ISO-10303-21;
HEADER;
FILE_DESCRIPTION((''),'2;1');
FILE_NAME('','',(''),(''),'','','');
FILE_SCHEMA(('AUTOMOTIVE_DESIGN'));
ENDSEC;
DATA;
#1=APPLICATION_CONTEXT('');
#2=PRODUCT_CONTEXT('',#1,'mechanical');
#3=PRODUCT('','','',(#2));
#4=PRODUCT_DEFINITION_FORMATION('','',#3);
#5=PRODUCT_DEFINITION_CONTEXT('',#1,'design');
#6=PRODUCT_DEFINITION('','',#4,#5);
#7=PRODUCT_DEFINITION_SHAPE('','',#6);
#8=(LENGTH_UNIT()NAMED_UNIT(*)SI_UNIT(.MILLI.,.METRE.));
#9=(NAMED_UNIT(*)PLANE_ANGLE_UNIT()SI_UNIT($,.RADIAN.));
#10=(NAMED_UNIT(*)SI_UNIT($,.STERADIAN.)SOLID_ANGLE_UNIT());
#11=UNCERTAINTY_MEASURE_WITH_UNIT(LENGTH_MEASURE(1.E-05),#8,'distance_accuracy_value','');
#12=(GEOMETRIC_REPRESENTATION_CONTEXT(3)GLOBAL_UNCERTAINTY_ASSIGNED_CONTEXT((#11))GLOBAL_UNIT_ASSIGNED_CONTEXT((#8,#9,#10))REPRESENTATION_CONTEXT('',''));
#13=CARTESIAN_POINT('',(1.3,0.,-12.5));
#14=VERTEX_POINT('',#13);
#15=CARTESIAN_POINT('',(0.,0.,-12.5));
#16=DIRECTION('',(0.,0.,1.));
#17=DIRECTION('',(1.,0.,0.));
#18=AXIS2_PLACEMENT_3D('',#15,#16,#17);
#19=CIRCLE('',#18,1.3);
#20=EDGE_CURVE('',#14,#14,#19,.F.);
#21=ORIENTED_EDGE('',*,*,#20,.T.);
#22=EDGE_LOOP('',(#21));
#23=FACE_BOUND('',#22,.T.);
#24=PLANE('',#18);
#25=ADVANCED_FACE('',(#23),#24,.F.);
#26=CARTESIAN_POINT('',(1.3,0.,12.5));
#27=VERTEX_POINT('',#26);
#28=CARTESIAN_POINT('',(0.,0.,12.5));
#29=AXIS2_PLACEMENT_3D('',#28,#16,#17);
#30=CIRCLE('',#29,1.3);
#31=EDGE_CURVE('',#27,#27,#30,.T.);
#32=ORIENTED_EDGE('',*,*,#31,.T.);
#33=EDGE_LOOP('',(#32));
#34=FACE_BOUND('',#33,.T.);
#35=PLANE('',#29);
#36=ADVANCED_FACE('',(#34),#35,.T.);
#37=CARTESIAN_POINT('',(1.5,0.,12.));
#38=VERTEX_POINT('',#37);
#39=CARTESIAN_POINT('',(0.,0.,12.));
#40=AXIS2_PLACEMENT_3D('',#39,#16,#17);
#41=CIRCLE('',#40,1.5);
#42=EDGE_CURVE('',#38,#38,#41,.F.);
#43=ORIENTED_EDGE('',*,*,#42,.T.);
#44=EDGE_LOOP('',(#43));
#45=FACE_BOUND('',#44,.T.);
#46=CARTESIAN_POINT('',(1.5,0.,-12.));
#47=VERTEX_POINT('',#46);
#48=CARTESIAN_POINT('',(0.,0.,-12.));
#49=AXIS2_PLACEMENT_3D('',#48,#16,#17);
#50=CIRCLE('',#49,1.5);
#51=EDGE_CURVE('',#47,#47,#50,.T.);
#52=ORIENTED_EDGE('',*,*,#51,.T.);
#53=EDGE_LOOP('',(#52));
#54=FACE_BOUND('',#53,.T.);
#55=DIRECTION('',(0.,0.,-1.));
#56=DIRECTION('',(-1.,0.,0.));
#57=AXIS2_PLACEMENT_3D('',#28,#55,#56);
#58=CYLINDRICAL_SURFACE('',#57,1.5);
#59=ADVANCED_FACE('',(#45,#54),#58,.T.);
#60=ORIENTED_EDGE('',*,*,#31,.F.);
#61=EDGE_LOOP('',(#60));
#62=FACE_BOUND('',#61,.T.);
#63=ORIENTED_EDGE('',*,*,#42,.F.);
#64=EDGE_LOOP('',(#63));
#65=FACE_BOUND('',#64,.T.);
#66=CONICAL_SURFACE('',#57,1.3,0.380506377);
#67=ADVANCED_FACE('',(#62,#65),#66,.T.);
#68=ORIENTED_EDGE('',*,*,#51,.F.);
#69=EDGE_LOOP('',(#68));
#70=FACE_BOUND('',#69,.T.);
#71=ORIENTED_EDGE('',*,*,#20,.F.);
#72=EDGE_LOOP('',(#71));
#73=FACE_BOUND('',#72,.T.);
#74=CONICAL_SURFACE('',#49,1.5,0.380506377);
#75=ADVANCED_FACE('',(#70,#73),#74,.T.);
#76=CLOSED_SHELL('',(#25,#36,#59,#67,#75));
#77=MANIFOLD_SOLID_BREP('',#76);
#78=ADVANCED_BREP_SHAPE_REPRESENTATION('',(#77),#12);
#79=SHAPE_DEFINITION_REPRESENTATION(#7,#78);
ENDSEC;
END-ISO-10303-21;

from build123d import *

# Parameters (mm, degrees)
SKETCH1_R           = 1.5
BOSS_EXTRUDE1_DEPTH = 12.5
CHAMFER1_SIZE       = 0.5
CHAMFER1_SIZE2      = 0.2
CHAMFER2_SIZE       = 0.2
CHAMFER2_SIZE2      = 0.5


with BuildPart() as part:
    # Sketch1 → Boss-Extrude1 (new, symmetric)
    with BuildSketch(Plane.XY):
        Circle(SKETCH1_R)
    extrude(amount=BOSS_EXTRUDE1_DEPTH, both=True)

    # Chamfer1
    chamfer1_edges = [part.edges().sort_by_distance(p)[0] for p in [
        (-1.5, 0, 12.5),
    ]]
    chamfer1_side = [part.faces().sort_by_distance(p)[0] for p in [
        (-1.5, 0, 0),
    ]]
    chamfer(chamfer1_edges, length=CHAMFER1_SIZE, length2=CHAMFER1_SIZE2, reference=chamfer1_side[0])

    # Chamfer2
    chamfer2_edges = [part.edges().sort_by_distance(p)[0] for p in [
        (-1.5, 0, -12.5),
    ]]
    chamfer2_side = [part.faces().sort_by_distance(p)[0] for p in [
        (0, 0, -12.5),
    ]]
    chamfer(chamfer2_edges, length=CHAMFER2_SIZE, length2=CHAMFER2_SIZE2, reference=chamfer2_side[0])


solid = part.part
